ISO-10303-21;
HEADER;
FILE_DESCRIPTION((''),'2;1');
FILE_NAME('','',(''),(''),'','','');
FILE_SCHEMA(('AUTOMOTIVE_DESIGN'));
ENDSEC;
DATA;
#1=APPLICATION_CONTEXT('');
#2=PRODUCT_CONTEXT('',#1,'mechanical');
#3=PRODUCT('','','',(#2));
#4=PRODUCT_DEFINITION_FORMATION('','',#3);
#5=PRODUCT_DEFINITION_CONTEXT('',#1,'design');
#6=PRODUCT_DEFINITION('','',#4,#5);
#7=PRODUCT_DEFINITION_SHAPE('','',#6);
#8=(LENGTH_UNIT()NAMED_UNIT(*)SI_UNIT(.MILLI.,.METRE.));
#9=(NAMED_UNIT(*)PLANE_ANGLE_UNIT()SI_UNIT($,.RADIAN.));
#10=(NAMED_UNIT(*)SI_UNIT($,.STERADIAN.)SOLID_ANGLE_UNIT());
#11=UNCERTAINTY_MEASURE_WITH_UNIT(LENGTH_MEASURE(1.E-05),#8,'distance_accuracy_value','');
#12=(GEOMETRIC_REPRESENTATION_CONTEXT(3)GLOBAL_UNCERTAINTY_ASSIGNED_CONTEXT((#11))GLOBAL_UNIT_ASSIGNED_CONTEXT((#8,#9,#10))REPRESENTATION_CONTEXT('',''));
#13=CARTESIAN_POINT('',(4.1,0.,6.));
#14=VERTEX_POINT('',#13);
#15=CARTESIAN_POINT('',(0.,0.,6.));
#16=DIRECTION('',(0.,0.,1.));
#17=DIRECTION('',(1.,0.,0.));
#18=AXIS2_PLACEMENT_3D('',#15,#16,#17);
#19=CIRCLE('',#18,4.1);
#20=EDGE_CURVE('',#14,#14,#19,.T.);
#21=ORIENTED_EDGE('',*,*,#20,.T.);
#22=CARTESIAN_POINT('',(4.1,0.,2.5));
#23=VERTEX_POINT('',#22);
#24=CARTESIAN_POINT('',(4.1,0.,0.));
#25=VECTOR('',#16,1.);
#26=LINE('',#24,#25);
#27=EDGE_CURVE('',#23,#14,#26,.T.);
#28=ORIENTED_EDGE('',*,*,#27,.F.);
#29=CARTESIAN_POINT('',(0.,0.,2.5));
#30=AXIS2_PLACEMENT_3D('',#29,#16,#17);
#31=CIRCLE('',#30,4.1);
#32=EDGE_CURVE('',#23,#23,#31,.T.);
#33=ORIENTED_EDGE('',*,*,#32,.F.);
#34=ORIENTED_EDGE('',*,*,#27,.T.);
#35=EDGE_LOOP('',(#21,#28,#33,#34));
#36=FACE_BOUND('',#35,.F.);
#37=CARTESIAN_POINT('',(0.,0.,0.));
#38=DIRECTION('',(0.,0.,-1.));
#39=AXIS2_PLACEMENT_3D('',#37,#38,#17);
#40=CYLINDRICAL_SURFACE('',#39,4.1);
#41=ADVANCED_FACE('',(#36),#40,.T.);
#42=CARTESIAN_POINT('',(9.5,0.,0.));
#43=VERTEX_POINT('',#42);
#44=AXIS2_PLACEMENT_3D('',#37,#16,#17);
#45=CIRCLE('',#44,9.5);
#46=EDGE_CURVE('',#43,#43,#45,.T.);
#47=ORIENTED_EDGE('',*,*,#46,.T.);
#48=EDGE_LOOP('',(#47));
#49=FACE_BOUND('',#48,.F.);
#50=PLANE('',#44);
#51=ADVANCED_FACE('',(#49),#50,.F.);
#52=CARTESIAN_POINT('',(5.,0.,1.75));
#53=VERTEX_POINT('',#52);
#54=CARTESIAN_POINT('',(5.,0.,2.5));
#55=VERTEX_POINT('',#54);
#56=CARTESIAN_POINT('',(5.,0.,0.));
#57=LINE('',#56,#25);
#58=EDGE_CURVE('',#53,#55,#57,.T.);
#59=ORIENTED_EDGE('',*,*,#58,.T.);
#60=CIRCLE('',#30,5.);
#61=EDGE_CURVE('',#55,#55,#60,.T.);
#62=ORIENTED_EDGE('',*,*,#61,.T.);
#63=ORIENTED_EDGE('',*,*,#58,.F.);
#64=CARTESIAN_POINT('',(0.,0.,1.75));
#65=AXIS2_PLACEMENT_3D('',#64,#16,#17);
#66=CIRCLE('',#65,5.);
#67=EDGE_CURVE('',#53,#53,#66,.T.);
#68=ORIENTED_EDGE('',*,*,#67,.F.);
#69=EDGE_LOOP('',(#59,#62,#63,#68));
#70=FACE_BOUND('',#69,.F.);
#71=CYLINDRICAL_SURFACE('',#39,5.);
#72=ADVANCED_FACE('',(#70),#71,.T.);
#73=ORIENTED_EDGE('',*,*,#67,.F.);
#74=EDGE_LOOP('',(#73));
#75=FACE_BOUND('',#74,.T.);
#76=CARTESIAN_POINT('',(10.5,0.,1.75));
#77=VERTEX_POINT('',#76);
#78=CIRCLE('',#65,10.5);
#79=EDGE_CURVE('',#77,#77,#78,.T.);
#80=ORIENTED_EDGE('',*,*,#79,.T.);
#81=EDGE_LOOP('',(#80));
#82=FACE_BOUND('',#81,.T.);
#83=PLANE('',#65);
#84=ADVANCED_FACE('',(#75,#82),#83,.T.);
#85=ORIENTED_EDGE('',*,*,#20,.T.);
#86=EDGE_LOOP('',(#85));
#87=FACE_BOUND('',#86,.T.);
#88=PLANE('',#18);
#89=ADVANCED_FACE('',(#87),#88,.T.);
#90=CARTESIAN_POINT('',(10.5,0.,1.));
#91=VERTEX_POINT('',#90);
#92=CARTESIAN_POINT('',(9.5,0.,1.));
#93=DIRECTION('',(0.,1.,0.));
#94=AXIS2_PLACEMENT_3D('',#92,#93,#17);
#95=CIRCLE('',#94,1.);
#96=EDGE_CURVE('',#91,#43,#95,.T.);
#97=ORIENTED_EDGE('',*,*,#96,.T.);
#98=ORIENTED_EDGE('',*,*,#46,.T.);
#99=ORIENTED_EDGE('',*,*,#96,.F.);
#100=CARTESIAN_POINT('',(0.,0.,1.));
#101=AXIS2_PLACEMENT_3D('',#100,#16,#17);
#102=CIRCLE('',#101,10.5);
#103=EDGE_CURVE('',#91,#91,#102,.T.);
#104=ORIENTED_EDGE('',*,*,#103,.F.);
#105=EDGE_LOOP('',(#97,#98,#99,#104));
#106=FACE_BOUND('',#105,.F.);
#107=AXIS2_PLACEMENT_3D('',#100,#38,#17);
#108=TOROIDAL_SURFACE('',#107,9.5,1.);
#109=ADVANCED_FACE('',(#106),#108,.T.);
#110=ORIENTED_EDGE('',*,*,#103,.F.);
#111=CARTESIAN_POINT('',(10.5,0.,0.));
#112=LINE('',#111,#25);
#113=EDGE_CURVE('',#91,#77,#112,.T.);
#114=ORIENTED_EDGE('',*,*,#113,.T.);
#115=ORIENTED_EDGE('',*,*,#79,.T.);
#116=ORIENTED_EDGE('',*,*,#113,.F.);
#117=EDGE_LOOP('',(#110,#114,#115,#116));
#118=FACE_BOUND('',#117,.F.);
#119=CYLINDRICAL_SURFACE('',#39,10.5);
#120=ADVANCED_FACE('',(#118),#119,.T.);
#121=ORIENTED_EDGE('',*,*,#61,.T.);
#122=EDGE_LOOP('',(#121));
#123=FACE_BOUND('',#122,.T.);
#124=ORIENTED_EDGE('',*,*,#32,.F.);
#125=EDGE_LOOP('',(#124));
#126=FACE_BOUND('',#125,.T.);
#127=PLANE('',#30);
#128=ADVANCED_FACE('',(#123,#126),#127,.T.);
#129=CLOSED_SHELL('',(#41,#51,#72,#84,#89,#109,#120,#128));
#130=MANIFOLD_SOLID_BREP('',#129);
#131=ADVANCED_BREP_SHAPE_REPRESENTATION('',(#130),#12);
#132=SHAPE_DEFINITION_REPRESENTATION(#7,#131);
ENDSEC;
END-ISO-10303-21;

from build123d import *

# Parameters (mm, degrees)
F0_R     = 10.5
F0_R_2   = 5
F1_DEPTH = 1.75
F0_R_3   = 4.1
F2_DEPTH = 6
F3_DEPTH = 2.5
F5_R     = 1


with BuildPart() as f1:
    # F0 (on Top) → F1 (new body)
    with BuildSketch(Plane.XY):
        Circle(F0_R)
        Circle(F0_R_2, mode=Mode.SUBTRACT)
    extrude(amount=F1_DEPTH)


with BuildPart() as f2:
    # F0 (on Top) → F2 (new body)
    with BuildSketch(Plane.XY):
        Circle(F0_R_3)
    extrude(amount=F2_DEPTH)


with BuildPart() as f3:
    # F0 (on Top) → F3 (new body)
    with BuildSketch(Plane.XY):
        Circle(F0_R_2)
        Circle(F0_R_3, mode=Mode.SUBTRACT)
    extrude(amount=F3_DEPTH)


with BuildPart() as f1_1:
    add(f1.part)

    # F4: union F3, F2
    add(f3.part)
    add(f2.part)

    # F5
    f5_edges = [f1_1.edges().sort_by_distance(p)[0] for p in [
        (-10.5, 0, 0),
    ]]
    fillet(f5_edges, radius=F5_R)


solid = f1_1.part
